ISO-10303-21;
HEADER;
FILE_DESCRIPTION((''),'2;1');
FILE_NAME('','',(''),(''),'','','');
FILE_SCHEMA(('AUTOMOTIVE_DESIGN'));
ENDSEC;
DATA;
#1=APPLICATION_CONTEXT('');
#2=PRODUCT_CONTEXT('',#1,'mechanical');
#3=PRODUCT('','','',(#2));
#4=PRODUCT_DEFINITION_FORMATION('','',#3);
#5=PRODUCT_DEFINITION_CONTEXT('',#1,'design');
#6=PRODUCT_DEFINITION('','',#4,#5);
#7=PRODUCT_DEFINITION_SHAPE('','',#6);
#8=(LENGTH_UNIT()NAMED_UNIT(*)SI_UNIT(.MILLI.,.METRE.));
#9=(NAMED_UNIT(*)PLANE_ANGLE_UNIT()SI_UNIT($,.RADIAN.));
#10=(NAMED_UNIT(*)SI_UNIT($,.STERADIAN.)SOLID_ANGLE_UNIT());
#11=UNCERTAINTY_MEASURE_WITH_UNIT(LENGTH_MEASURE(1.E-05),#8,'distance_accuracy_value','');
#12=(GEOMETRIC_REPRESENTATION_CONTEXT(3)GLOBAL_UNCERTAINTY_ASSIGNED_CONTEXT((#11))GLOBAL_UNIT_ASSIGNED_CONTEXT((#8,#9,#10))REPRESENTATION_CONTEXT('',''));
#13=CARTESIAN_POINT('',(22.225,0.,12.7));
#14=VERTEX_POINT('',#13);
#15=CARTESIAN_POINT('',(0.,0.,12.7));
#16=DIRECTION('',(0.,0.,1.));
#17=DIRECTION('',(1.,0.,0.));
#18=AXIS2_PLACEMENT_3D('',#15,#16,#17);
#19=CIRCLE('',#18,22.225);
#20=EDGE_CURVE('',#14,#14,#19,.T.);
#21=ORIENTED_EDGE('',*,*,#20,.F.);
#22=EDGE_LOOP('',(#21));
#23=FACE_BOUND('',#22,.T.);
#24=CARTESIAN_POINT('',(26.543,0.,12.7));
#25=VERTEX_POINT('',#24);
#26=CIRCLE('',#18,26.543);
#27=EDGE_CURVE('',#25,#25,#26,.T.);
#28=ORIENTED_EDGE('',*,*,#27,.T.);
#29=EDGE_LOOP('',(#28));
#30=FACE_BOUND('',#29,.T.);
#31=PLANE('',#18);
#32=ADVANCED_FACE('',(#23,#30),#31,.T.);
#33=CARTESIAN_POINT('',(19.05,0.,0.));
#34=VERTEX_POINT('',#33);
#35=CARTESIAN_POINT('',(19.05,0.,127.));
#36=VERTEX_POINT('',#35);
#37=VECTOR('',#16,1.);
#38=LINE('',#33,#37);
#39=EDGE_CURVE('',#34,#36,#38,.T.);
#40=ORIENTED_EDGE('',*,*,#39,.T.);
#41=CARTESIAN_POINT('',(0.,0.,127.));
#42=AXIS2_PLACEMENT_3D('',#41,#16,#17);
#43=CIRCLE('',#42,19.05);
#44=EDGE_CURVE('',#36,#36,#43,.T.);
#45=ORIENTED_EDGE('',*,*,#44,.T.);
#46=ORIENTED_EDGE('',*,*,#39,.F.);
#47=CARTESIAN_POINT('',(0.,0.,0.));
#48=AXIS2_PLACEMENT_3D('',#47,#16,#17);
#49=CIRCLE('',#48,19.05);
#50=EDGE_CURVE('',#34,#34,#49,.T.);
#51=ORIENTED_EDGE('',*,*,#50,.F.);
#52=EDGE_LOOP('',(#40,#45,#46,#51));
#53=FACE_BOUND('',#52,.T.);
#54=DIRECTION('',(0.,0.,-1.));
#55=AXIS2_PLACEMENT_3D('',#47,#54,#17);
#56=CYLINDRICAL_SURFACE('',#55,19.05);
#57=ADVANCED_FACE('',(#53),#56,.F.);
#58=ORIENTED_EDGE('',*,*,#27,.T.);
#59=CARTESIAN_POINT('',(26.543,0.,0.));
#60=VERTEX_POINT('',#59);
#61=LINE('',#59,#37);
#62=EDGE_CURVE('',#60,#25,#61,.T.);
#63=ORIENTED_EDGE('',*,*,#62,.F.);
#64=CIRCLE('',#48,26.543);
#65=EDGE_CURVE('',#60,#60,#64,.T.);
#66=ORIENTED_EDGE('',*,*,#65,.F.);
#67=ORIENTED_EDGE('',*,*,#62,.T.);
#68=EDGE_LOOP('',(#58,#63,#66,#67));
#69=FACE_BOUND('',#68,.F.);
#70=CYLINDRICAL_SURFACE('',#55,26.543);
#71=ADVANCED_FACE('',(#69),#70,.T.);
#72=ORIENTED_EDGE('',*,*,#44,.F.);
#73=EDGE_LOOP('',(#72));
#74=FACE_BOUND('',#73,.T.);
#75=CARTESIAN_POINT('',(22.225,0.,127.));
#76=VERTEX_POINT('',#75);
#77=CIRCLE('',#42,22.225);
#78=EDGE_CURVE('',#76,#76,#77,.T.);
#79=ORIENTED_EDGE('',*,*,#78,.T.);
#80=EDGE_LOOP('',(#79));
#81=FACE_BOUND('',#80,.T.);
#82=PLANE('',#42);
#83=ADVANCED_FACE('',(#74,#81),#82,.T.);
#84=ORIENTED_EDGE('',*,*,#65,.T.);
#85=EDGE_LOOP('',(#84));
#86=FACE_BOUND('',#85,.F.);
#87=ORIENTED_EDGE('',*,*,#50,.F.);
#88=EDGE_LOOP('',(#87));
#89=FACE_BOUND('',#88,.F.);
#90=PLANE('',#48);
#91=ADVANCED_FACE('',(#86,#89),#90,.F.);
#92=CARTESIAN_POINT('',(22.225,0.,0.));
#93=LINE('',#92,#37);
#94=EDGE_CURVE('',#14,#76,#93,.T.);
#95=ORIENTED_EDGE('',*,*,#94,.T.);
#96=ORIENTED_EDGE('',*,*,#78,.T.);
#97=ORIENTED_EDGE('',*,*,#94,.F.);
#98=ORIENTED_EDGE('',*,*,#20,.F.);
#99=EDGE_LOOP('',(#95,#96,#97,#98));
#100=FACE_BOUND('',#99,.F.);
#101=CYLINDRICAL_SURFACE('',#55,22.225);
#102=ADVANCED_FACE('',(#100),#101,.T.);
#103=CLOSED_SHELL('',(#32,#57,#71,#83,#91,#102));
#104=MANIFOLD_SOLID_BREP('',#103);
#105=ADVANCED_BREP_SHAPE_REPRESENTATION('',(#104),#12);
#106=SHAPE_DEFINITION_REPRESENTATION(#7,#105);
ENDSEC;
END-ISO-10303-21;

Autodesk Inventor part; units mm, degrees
ref_plane "YZ Plane" through (0, 0, 0) normal (1, 0, 0) x (0, 1, 0)
ref_plane "XZ Plane" through (0, 0, 0) normal (0, 1, 0) x (-1, 0, 0)
ref_plane "XY Plane" through (0, 0, 0) normal (0, 0, 1) x (1, 0, 0)
sketch "Sketch1" plane through (0, 0, 0) normal (0, 0, 1) x (1, 0, 0)
  circle A0 centre (0, 0) radius 22.225
  circle A1 centre (0, 0) radius 26.543
  circle A2 centre (0, 0) radius 19.05
  dimension "d0" = 44.45
  dimension "d1" = 53.086
  dimension "d2" = 38.1
extrude "Extrusion1" add sketch "Sketch1" along normal blind 127 contours A0
extrude "Extrusion2" add sketch "Sketch1" along normal blind 12.7 contours A1
properties part number "tube 2"
